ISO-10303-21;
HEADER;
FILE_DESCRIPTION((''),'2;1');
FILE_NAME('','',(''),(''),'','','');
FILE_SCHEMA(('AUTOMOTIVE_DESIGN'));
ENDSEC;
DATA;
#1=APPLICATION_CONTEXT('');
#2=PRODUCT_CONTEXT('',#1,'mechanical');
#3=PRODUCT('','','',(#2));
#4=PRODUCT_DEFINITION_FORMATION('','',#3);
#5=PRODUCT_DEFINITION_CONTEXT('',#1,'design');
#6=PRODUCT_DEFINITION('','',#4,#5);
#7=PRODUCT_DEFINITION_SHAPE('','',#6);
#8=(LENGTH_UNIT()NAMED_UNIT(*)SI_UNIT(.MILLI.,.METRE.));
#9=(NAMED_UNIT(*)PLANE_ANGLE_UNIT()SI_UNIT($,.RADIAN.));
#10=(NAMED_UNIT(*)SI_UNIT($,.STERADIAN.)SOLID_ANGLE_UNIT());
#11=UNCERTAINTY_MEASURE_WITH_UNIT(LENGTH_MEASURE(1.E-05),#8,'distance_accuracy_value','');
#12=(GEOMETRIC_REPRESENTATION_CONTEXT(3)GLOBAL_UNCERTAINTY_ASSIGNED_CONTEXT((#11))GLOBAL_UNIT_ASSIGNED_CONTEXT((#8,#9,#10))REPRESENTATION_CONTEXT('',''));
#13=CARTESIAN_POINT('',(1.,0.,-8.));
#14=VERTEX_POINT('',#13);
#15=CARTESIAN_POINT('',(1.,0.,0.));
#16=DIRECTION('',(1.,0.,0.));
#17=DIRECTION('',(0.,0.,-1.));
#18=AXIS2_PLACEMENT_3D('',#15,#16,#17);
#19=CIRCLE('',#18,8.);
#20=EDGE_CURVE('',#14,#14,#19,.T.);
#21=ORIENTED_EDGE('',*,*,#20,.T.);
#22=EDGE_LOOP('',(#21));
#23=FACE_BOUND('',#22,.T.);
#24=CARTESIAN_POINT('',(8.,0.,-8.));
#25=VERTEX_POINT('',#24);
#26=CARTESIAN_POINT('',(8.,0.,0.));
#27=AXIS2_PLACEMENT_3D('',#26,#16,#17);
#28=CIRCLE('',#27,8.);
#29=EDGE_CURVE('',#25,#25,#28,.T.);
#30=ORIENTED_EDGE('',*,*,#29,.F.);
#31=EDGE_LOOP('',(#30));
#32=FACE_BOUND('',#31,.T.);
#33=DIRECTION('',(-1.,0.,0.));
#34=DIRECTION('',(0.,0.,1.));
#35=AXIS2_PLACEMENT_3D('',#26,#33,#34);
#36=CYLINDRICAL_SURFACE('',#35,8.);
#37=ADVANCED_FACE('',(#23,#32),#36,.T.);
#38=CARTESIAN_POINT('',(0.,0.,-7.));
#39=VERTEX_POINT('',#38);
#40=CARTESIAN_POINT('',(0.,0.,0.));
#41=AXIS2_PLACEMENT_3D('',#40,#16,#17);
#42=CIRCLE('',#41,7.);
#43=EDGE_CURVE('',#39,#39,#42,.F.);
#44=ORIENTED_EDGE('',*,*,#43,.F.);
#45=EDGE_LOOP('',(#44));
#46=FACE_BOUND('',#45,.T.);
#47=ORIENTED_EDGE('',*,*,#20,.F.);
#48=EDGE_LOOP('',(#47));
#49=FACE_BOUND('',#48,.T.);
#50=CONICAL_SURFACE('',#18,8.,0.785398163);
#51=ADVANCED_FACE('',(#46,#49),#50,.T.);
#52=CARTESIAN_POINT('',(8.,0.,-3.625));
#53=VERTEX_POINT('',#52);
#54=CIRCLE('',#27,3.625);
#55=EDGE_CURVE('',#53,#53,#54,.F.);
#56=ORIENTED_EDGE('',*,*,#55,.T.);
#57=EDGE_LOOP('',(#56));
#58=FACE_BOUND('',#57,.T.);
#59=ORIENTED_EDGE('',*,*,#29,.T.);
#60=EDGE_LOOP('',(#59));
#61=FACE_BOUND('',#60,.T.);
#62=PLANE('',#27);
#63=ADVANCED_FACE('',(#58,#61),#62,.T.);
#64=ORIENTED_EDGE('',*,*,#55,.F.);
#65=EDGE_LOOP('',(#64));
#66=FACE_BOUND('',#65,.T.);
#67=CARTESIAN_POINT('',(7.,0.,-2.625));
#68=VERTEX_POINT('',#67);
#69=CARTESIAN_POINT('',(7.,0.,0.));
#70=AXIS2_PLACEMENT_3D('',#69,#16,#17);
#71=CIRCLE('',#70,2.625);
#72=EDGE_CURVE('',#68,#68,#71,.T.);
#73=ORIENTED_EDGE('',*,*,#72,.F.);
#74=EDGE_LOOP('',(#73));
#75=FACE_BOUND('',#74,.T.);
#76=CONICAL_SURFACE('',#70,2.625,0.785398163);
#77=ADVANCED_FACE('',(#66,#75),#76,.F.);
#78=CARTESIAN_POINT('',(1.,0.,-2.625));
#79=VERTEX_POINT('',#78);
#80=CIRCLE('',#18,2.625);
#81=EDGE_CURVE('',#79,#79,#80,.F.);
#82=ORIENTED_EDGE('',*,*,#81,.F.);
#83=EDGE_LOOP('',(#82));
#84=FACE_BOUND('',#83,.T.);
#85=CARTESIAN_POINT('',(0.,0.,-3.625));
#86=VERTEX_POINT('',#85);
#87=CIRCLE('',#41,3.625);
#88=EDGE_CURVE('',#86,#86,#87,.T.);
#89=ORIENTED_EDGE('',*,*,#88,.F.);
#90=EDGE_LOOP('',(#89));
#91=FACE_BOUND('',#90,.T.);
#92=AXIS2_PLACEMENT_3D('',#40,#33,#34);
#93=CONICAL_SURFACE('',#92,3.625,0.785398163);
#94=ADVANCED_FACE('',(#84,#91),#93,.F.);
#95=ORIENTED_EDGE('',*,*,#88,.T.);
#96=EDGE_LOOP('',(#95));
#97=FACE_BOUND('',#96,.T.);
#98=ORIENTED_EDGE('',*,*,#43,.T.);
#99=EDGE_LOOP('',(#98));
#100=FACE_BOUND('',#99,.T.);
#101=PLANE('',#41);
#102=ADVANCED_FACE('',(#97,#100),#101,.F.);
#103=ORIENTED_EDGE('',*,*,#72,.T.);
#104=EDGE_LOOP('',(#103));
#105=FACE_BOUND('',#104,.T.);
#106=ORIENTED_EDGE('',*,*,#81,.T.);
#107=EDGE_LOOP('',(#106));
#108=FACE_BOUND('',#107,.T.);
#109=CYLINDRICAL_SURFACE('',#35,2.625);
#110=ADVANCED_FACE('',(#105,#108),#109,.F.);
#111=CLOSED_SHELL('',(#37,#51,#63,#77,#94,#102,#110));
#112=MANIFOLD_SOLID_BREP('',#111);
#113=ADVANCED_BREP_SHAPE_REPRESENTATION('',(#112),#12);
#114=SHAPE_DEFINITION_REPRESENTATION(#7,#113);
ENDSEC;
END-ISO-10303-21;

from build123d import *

# Parameters (mm, degrees)
SKETCH1_R           = 8
SKETCH1_R_2         = 2.625
BOSS_EXTRUDE1_DEPTH = 8
CHAMFER2_SIZE       = 1
CHAMFER3_SIZE       = 1


with BuildPart() as part:
    # Sketch1 → Boss-Extrude1 (new body)
    with BuildSketch(Plane(origin=(0, 0, 0), x_dir=(0, 0, -1), z_dir=(1, 0, 0))):
        Circle(SKETCH1_R)
        Circle(SKETCH1_R_2, mode=Mode.SUBTRACT)
    extrude(amount=BOSS_EXTRUDE1_DEPTH)

    # Chamfer2
    chamfer2_edges = [part.edges().sort_by_distance(p)[0] for p in [
        (0, 0, 2.625),
        (8, 0, 2.625),
    ]]
    chamfer(chamfer2_edges, length=CHAMFER2_SIZE)

    # Chamfer3
    chamfer3_edges = [part.edges().sort_by_distance(p)[0] for p in [
        (0, 0, 8),
    ]]
    chamfer(chamfer3_edges, length=CHAMFER3_SIZE)


solid = part.part
